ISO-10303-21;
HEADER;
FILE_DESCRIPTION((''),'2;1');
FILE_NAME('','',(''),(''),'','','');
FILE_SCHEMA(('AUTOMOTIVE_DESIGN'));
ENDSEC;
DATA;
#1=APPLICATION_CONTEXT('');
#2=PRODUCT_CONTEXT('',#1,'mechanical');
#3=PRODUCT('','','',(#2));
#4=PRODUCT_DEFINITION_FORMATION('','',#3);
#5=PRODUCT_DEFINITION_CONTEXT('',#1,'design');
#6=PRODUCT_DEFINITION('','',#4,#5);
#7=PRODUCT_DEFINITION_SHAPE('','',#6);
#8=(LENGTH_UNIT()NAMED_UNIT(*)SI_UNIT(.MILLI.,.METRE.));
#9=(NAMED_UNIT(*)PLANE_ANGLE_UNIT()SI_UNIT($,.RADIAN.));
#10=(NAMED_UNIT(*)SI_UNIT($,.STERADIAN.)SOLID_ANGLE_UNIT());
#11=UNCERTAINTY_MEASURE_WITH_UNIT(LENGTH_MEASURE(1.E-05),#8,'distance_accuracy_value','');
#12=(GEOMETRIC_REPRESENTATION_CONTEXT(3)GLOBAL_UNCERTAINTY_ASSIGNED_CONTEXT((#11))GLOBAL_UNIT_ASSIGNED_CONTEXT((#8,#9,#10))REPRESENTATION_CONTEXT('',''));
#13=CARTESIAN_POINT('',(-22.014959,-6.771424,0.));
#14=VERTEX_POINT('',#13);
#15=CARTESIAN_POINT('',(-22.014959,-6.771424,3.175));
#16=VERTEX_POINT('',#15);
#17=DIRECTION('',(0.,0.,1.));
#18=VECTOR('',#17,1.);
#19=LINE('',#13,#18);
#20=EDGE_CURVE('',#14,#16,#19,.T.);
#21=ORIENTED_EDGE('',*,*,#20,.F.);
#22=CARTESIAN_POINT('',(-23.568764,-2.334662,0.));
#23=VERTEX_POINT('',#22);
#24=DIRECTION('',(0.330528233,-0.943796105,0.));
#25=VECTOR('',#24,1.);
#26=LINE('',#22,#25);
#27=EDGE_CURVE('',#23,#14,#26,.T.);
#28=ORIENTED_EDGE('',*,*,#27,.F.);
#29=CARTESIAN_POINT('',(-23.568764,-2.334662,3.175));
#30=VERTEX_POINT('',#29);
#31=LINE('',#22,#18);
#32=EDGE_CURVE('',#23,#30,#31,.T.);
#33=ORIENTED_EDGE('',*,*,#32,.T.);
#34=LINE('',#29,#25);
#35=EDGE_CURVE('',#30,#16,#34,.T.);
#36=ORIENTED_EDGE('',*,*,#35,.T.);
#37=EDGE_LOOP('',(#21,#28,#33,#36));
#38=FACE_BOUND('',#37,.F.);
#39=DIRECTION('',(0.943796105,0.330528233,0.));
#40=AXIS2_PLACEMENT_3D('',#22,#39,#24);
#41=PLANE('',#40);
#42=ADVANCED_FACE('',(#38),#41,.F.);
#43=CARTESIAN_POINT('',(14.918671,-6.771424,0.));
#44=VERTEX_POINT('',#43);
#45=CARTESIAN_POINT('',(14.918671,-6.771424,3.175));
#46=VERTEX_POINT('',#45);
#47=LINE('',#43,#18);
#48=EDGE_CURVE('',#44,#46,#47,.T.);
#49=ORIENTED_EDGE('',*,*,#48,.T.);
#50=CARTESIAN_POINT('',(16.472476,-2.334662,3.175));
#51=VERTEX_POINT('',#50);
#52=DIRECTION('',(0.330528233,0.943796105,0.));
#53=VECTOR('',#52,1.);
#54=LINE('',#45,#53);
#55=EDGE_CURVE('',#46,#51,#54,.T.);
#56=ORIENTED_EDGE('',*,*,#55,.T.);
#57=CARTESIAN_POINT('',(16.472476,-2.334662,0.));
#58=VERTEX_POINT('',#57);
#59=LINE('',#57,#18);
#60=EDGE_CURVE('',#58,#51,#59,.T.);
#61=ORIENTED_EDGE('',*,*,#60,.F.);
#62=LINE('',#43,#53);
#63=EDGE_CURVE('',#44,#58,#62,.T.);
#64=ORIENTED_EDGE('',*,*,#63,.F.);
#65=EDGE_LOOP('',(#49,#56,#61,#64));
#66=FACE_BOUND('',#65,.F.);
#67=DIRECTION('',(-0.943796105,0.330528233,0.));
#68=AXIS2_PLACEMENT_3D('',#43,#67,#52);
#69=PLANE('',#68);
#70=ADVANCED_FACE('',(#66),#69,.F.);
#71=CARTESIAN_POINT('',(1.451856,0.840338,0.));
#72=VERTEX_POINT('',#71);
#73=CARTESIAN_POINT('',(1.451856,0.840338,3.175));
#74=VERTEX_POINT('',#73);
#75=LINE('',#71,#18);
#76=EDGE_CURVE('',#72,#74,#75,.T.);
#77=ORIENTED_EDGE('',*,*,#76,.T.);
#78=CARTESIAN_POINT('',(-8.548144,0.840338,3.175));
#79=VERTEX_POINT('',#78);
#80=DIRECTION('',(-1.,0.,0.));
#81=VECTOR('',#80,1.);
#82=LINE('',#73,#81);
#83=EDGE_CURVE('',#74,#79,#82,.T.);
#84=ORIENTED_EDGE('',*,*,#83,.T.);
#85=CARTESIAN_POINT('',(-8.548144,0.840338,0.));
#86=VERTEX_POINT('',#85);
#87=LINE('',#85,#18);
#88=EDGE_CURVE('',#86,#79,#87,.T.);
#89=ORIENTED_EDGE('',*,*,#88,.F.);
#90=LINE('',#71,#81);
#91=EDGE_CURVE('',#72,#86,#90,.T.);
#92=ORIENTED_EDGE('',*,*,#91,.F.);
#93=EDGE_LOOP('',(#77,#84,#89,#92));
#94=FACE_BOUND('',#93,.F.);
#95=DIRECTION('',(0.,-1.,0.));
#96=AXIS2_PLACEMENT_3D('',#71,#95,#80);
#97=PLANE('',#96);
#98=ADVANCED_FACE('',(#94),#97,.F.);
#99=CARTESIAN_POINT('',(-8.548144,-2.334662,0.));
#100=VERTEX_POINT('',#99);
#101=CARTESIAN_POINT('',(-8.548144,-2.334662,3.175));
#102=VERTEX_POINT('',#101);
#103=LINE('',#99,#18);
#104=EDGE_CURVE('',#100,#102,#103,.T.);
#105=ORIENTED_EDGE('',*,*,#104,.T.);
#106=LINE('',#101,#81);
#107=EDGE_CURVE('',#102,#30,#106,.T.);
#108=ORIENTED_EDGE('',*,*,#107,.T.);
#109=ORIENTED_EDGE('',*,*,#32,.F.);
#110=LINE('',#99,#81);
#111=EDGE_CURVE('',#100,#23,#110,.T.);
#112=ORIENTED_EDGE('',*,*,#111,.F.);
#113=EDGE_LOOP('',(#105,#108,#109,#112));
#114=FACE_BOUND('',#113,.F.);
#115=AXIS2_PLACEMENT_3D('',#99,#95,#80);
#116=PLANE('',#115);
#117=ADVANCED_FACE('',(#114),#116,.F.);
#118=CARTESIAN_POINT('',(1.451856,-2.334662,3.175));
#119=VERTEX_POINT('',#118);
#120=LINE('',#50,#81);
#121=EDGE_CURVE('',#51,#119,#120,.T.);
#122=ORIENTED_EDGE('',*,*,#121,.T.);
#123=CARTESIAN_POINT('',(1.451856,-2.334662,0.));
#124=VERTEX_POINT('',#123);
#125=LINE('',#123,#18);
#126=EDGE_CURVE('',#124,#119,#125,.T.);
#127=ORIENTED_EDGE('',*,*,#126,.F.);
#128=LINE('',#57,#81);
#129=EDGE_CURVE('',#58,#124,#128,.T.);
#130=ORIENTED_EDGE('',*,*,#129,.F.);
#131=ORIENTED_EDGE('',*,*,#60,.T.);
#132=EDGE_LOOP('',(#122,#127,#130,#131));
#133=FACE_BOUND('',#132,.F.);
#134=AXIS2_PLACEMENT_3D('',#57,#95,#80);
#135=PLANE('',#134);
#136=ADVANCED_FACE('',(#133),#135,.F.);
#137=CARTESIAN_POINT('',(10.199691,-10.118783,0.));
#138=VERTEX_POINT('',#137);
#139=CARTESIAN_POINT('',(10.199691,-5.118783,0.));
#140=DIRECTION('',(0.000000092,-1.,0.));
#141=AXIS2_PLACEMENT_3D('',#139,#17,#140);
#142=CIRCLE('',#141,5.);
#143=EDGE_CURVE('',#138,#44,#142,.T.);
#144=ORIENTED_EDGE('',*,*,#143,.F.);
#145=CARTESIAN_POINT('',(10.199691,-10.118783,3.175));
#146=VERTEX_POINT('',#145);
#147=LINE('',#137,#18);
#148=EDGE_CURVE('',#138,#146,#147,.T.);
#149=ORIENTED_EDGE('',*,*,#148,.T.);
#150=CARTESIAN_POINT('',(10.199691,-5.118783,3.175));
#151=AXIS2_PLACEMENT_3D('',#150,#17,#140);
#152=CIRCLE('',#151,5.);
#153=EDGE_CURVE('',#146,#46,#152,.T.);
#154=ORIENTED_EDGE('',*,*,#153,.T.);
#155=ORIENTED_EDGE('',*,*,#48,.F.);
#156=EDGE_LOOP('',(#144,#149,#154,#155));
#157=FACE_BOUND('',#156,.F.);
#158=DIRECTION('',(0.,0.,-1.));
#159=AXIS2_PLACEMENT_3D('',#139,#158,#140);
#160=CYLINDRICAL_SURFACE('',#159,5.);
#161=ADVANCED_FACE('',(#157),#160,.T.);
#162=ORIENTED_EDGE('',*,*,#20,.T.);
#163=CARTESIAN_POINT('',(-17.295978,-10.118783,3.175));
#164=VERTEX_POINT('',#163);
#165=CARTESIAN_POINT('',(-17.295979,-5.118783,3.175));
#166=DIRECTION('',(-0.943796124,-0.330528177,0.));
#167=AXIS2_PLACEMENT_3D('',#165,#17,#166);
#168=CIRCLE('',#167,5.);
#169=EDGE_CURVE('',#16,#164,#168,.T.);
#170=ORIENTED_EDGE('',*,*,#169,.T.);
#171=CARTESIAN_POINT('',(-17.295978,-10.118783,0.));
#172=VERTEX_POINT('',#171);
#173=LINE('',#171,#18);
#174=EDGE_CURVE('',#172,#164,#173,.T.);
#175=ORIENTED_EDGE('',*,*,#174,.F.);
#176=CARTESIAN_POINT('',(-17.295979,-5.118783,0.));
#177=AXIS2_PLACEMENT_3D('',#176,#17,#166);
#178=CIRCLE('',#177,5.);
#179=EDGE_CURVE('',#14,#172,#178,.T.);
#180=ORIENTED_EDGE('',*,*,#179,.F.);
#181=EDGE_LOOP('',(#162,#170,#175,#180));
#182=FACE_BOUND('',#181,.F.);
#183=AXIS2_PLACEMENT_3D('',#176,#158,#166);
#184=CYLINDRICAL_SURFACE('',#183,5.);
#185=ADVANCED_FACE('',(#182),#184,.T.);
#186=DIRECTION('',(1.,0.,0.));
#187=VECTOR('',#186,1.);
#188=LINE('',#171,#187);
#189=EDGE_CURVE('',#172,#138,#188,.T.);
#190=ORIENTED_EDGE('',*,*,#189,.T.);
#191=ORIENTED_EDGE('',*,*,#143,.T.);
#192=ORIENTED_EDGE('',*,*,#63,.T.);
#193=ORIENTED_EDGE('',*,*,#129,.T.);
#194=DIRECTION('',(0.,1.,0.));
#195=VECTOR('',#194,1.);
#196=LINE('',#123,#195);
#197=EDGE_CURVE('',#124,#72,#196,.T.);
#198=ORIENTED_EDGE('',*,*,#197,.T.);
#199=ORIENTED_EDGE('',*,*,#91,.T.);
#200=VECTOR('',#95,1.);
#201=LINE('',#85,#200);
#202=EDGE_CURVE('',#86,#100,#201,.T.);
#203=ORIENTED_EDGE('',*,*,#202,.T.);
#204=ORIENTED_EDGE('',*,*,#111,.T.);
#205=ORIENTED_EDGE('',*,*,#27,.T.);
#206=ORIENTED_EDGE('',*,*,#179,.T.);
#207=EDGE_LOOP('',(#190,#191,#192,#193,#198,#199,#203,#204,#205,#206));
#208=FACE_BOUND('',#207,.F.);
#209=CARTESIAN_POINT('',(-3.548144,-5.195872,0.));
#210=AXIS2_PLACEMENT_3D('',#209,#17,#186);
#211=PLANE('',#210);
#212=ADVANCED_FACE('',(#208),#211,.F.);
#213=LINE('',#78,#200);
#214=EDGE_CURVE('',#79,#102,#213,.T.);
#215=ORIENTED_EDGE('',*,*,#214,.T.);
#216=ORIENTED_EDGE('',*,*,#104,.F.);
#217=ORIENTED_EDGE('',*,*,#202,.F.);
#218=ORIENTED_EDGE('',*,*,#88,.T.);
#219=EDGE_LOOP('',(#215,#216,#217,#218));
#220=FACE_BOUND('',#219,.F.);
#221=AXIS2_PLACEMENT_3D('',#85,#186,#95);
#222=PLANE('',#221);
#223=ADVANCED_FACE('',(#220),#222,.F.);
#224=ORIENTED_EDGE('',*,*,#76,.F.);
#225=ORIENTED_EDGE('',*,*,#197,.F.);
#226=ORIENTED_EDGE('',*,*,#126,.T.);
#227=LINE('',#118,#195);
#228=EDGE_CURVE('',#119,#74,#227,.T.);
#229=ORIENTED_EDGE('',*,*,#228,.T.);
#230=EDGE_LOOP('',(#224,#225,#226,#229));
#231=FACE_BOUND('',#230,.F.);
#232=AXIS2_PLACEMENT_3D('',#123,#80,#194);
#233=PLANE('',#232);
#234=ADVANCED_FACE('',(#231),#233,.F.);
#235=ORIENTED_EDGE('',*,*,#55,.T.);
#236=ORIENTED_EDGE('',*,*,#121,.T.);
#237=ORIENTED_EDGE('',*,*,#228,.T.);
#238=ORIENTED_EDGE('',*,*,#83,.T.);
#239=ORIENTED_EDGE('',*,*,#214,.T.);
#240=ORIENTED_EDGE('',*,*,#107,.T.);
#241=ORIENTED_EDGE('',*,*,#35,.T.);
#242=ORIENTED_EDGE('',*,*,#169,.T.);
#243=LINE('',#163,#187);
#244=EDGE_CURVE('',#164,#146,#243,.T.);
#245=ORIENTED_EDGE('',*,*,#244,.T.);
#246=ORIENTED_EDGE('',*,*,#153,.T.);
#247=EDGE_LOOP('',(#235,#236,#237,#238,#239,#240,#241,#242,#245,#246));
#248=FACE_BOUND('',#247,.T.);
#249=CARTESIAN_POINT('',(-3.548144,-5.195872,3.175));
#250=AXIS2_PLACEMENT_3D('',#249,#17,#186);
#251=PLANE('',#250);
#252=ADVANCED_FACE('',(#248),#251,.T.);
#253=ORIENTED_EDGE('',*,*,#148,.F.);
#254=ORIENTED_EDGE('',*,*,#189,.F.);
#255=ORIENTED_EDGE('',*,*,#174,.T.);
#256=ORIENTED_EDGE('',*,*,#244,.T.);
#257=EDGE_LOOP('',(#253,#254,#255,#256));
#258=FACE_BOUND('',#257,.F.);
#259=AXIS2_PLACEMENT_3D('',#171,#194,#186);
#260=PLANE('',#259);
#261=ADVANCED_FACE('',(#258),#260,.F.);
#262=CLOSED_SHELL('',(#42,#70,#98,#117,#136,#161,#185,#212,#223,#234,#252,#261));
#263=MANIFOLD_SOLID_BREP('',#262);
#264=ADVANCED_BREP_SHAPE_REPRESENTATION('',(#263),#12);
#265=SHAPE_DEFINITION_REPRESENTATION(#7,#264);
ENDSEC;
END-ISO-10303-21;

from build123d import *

# Parameters (mm, degrees)
F1_DEPTH = 3.175


with BuildPart() as f1:
    # F0 (on Top) → F1 (new body)
    with BuildSketch(Plane.XY):
        with BuildLine():
            Line((16.472476, -2.334662), (1.451856, -2.334662))
            Line((1.451856, -2.334662), (1.451856, 0.840338))
            Line((1.451856, 0.840338), (-3.548144, 0.840338))
            Line((-3.548144, 0.840338), (-8.548144, 0.840338))
            Line((-8.548144, 0.840338), (-8.548144, -2.334662))
            Line((-8.548144, -2.334662), (-23.568764, -2.334662))
            Line((-23.568764, -2.334662), (-22.014959, -6.771424))
            ThreePointArc((-22.014959, -6.771424), (-20.188797, -9.196969), (-17.295978, -10.118783))
            Line((-17.295978, -10.118783), (10.199691, -10.118783))
            ThreePointArc((10.199691, -10.118783), (13.092509, -9.196969), (14.918671, -6.771424))
            Line((14.918671, -6.771424), (16.472476, -2.334662))
        make_face()
    extrude(amount=F1_DEPTH)


solid = f1.part
